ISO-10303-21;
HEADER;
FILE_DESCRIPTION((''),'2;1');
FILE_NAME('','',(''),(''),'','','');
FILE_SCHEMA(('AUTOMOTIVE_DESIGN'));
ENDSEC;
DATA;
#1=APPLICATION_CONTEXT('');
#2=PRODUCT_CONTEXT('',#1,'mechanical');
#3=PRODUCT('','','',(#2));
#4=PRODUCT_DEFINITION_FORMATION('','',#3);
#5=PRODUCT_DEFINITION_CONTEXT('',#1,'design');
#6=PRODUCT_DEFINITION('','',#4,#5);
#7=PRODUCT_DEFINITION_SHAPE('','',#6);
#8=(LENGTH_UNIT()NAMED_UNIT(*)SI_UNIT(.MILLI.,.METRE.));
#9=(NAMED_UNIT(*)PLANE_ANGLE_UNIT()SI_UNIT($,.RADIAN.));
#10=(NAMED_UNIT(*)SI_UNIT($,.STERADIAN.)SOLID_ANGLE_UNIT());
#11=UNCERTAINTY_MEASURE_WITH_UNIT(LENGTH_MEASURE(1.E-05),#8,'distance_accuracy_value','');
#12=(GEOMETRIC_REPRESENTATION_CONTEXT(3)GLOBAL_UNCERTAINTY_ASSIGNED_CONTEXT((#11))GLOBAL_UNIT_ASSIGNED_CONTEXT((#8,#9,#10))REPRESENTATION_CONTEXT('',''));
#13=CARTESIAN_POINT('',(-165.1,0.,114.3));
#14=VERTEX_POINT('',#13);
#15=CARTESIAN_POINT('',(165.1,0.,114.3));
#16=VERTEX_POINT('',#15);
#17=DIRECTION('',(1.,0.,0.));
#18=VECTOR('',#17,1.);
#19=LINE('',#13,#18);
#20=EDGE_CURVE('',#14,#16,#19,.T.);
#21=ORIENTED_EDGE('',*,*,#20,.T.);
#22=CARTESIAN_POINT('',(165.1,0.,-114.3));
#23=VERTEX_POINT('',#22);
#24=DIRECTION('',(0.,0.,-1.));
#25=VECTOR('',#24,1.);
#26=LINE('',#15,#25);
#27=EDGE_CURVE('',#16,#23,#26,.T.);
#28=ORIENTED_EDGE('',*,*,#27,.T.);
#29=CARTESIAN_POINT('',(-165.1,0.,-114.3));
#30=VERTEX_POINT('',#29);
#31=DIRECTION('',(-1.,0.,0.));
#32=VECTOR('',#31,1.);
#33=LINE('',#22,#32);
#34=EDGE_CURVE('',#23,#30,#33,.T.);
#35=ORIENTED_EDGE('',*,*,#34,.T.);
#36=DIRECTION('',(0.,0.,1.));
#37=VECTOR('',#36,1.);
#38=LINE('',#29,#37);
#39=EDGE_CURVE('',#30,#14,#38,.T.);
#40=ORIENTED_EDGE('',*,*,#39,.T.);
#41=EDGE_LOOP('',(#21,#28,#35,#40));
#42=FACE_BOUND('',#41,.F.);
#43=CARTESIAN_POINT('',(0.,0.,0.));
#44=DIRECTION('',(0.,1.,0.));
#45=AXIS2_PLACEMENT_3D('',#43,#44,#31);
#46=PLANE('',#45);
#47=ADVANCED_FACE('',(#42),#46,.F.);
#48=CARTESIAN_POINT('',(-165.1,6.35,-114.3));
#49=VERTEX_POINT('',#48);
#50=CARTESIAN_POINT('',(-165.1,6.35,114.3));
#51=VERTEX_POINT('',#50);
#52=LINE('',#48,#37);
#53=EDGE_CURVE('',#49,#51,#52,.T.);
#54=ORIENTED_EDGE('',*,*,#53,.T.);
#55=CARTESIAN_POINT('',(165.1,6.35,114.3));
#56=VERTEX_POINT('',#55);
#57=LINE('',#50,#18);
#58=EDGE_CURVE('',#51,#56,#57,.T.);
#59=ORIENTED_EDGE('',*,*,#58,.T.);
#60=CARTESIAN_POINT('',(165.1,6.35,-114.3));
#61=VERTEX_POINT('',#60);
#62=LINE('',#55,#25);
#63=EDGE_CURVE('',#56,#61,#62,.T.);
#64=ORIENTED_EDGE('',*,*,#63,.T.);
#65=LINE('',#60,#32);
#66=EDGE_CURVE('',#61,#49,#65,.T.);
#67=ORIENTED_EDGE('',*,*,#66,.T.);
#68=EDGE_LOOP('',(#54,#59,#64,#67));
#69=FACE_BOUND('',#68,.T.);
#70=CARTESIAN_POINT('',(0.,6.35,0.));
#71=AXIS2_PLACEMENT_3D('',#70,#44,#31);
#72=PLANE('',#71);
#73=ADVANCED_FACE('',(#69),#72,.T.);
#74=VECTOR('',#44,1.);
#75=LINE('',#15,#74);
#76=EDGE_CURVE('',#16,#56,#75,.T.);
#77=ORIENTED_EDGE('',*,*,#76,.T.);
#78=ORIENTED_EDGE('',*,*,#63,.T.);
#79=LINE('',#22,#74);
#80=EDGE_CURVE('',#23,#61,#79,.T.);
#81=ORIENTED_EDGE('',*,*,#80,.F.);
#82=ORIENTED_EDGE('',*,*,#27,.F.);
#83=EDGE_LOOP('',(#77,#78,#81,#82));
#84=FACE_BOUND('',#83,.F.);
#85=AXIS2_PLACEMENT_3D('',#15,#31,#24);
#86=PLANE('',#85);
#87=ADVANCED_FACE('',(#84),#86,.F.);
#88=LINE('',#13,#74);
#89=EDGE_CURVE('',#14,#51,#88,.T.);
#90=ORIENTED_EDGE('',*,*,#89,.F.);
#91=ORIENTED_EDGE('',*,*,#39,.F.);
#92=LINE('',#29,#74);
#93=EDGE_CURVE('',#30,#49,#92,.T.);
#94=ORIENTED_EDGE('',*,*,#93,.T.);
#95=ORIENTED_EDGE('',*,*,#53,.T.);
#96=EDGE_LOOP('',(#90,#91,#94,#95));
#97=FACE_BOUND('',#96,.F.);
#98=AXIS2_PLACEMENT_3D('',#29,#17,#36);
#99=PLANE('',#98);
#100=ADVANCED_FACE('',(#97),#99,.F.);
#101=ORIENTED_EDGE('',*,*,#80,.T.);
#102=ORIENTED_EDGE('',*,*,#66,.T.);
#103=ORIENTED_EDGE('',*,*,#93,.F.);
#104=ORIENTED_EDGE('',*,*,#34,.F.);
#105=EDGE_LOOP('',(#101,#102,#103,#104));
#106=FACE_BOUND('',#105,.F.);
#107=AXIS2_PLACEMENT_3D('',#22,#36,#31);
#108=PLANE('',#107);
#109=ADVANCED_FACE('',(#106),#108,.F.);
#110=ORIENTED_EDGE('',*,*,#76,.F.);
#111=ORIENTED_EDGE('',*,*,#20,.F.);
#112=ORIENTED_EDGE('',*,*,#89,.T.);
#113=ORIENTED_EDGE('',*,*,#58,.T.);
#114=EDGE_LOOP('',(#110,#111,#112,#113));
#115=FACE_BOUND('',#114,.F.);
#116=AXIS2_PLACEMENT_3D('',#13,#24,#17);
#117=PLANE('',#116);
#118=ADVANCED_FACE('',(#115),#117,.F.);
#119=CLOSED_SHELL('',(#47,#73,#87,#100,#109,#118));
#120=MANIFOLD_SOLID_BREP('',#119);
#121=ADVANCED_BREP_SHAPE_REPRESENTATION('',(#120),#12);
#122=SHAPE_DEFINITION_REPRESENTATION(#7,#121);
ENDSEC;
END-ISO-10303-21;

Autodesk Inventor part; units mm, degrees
ref_plane "YZ Plane" through (0, 0, 0) normal (1, 0, 0) x (0, 1, 0)
ref_plane "XZ Plane" through (0, 0, 0) normal (0, 1, 0) x (-1, 0, 0)
ref_plane "XY Plane" through (0, 0, 0) normal (0, 0, 1) x (1, 0, 0)
sketch "Sketch1" plane through (0, 0, 0) normal (0, 1, 0) x (-1, 0, 0)
  line L0 (165.1, 114.3) -> (-165.1, 114.3)
  line L1 (-165.1, 114.3) -> (-165.1, -114.3)
  line L2 (-165.1, -114.3) -> (165.1, -114.3)
  line L3 (165.1, -114.3) -> (165.1, 114.3)
  line L4 (165.1, 114.3) -> (-165.1, -114.3) construction
  line L5 (-165.1, 114.3) -> (165.1, -114.3) construction
  point P0 (0, 0)
  dimension "d0" = 330.2
  dimension "d1" = 228.6
extrude "Extrusion1" add sketch "Sketch1" along normal blind 6.35
properties part number "panel_13x9" material "Glass"
